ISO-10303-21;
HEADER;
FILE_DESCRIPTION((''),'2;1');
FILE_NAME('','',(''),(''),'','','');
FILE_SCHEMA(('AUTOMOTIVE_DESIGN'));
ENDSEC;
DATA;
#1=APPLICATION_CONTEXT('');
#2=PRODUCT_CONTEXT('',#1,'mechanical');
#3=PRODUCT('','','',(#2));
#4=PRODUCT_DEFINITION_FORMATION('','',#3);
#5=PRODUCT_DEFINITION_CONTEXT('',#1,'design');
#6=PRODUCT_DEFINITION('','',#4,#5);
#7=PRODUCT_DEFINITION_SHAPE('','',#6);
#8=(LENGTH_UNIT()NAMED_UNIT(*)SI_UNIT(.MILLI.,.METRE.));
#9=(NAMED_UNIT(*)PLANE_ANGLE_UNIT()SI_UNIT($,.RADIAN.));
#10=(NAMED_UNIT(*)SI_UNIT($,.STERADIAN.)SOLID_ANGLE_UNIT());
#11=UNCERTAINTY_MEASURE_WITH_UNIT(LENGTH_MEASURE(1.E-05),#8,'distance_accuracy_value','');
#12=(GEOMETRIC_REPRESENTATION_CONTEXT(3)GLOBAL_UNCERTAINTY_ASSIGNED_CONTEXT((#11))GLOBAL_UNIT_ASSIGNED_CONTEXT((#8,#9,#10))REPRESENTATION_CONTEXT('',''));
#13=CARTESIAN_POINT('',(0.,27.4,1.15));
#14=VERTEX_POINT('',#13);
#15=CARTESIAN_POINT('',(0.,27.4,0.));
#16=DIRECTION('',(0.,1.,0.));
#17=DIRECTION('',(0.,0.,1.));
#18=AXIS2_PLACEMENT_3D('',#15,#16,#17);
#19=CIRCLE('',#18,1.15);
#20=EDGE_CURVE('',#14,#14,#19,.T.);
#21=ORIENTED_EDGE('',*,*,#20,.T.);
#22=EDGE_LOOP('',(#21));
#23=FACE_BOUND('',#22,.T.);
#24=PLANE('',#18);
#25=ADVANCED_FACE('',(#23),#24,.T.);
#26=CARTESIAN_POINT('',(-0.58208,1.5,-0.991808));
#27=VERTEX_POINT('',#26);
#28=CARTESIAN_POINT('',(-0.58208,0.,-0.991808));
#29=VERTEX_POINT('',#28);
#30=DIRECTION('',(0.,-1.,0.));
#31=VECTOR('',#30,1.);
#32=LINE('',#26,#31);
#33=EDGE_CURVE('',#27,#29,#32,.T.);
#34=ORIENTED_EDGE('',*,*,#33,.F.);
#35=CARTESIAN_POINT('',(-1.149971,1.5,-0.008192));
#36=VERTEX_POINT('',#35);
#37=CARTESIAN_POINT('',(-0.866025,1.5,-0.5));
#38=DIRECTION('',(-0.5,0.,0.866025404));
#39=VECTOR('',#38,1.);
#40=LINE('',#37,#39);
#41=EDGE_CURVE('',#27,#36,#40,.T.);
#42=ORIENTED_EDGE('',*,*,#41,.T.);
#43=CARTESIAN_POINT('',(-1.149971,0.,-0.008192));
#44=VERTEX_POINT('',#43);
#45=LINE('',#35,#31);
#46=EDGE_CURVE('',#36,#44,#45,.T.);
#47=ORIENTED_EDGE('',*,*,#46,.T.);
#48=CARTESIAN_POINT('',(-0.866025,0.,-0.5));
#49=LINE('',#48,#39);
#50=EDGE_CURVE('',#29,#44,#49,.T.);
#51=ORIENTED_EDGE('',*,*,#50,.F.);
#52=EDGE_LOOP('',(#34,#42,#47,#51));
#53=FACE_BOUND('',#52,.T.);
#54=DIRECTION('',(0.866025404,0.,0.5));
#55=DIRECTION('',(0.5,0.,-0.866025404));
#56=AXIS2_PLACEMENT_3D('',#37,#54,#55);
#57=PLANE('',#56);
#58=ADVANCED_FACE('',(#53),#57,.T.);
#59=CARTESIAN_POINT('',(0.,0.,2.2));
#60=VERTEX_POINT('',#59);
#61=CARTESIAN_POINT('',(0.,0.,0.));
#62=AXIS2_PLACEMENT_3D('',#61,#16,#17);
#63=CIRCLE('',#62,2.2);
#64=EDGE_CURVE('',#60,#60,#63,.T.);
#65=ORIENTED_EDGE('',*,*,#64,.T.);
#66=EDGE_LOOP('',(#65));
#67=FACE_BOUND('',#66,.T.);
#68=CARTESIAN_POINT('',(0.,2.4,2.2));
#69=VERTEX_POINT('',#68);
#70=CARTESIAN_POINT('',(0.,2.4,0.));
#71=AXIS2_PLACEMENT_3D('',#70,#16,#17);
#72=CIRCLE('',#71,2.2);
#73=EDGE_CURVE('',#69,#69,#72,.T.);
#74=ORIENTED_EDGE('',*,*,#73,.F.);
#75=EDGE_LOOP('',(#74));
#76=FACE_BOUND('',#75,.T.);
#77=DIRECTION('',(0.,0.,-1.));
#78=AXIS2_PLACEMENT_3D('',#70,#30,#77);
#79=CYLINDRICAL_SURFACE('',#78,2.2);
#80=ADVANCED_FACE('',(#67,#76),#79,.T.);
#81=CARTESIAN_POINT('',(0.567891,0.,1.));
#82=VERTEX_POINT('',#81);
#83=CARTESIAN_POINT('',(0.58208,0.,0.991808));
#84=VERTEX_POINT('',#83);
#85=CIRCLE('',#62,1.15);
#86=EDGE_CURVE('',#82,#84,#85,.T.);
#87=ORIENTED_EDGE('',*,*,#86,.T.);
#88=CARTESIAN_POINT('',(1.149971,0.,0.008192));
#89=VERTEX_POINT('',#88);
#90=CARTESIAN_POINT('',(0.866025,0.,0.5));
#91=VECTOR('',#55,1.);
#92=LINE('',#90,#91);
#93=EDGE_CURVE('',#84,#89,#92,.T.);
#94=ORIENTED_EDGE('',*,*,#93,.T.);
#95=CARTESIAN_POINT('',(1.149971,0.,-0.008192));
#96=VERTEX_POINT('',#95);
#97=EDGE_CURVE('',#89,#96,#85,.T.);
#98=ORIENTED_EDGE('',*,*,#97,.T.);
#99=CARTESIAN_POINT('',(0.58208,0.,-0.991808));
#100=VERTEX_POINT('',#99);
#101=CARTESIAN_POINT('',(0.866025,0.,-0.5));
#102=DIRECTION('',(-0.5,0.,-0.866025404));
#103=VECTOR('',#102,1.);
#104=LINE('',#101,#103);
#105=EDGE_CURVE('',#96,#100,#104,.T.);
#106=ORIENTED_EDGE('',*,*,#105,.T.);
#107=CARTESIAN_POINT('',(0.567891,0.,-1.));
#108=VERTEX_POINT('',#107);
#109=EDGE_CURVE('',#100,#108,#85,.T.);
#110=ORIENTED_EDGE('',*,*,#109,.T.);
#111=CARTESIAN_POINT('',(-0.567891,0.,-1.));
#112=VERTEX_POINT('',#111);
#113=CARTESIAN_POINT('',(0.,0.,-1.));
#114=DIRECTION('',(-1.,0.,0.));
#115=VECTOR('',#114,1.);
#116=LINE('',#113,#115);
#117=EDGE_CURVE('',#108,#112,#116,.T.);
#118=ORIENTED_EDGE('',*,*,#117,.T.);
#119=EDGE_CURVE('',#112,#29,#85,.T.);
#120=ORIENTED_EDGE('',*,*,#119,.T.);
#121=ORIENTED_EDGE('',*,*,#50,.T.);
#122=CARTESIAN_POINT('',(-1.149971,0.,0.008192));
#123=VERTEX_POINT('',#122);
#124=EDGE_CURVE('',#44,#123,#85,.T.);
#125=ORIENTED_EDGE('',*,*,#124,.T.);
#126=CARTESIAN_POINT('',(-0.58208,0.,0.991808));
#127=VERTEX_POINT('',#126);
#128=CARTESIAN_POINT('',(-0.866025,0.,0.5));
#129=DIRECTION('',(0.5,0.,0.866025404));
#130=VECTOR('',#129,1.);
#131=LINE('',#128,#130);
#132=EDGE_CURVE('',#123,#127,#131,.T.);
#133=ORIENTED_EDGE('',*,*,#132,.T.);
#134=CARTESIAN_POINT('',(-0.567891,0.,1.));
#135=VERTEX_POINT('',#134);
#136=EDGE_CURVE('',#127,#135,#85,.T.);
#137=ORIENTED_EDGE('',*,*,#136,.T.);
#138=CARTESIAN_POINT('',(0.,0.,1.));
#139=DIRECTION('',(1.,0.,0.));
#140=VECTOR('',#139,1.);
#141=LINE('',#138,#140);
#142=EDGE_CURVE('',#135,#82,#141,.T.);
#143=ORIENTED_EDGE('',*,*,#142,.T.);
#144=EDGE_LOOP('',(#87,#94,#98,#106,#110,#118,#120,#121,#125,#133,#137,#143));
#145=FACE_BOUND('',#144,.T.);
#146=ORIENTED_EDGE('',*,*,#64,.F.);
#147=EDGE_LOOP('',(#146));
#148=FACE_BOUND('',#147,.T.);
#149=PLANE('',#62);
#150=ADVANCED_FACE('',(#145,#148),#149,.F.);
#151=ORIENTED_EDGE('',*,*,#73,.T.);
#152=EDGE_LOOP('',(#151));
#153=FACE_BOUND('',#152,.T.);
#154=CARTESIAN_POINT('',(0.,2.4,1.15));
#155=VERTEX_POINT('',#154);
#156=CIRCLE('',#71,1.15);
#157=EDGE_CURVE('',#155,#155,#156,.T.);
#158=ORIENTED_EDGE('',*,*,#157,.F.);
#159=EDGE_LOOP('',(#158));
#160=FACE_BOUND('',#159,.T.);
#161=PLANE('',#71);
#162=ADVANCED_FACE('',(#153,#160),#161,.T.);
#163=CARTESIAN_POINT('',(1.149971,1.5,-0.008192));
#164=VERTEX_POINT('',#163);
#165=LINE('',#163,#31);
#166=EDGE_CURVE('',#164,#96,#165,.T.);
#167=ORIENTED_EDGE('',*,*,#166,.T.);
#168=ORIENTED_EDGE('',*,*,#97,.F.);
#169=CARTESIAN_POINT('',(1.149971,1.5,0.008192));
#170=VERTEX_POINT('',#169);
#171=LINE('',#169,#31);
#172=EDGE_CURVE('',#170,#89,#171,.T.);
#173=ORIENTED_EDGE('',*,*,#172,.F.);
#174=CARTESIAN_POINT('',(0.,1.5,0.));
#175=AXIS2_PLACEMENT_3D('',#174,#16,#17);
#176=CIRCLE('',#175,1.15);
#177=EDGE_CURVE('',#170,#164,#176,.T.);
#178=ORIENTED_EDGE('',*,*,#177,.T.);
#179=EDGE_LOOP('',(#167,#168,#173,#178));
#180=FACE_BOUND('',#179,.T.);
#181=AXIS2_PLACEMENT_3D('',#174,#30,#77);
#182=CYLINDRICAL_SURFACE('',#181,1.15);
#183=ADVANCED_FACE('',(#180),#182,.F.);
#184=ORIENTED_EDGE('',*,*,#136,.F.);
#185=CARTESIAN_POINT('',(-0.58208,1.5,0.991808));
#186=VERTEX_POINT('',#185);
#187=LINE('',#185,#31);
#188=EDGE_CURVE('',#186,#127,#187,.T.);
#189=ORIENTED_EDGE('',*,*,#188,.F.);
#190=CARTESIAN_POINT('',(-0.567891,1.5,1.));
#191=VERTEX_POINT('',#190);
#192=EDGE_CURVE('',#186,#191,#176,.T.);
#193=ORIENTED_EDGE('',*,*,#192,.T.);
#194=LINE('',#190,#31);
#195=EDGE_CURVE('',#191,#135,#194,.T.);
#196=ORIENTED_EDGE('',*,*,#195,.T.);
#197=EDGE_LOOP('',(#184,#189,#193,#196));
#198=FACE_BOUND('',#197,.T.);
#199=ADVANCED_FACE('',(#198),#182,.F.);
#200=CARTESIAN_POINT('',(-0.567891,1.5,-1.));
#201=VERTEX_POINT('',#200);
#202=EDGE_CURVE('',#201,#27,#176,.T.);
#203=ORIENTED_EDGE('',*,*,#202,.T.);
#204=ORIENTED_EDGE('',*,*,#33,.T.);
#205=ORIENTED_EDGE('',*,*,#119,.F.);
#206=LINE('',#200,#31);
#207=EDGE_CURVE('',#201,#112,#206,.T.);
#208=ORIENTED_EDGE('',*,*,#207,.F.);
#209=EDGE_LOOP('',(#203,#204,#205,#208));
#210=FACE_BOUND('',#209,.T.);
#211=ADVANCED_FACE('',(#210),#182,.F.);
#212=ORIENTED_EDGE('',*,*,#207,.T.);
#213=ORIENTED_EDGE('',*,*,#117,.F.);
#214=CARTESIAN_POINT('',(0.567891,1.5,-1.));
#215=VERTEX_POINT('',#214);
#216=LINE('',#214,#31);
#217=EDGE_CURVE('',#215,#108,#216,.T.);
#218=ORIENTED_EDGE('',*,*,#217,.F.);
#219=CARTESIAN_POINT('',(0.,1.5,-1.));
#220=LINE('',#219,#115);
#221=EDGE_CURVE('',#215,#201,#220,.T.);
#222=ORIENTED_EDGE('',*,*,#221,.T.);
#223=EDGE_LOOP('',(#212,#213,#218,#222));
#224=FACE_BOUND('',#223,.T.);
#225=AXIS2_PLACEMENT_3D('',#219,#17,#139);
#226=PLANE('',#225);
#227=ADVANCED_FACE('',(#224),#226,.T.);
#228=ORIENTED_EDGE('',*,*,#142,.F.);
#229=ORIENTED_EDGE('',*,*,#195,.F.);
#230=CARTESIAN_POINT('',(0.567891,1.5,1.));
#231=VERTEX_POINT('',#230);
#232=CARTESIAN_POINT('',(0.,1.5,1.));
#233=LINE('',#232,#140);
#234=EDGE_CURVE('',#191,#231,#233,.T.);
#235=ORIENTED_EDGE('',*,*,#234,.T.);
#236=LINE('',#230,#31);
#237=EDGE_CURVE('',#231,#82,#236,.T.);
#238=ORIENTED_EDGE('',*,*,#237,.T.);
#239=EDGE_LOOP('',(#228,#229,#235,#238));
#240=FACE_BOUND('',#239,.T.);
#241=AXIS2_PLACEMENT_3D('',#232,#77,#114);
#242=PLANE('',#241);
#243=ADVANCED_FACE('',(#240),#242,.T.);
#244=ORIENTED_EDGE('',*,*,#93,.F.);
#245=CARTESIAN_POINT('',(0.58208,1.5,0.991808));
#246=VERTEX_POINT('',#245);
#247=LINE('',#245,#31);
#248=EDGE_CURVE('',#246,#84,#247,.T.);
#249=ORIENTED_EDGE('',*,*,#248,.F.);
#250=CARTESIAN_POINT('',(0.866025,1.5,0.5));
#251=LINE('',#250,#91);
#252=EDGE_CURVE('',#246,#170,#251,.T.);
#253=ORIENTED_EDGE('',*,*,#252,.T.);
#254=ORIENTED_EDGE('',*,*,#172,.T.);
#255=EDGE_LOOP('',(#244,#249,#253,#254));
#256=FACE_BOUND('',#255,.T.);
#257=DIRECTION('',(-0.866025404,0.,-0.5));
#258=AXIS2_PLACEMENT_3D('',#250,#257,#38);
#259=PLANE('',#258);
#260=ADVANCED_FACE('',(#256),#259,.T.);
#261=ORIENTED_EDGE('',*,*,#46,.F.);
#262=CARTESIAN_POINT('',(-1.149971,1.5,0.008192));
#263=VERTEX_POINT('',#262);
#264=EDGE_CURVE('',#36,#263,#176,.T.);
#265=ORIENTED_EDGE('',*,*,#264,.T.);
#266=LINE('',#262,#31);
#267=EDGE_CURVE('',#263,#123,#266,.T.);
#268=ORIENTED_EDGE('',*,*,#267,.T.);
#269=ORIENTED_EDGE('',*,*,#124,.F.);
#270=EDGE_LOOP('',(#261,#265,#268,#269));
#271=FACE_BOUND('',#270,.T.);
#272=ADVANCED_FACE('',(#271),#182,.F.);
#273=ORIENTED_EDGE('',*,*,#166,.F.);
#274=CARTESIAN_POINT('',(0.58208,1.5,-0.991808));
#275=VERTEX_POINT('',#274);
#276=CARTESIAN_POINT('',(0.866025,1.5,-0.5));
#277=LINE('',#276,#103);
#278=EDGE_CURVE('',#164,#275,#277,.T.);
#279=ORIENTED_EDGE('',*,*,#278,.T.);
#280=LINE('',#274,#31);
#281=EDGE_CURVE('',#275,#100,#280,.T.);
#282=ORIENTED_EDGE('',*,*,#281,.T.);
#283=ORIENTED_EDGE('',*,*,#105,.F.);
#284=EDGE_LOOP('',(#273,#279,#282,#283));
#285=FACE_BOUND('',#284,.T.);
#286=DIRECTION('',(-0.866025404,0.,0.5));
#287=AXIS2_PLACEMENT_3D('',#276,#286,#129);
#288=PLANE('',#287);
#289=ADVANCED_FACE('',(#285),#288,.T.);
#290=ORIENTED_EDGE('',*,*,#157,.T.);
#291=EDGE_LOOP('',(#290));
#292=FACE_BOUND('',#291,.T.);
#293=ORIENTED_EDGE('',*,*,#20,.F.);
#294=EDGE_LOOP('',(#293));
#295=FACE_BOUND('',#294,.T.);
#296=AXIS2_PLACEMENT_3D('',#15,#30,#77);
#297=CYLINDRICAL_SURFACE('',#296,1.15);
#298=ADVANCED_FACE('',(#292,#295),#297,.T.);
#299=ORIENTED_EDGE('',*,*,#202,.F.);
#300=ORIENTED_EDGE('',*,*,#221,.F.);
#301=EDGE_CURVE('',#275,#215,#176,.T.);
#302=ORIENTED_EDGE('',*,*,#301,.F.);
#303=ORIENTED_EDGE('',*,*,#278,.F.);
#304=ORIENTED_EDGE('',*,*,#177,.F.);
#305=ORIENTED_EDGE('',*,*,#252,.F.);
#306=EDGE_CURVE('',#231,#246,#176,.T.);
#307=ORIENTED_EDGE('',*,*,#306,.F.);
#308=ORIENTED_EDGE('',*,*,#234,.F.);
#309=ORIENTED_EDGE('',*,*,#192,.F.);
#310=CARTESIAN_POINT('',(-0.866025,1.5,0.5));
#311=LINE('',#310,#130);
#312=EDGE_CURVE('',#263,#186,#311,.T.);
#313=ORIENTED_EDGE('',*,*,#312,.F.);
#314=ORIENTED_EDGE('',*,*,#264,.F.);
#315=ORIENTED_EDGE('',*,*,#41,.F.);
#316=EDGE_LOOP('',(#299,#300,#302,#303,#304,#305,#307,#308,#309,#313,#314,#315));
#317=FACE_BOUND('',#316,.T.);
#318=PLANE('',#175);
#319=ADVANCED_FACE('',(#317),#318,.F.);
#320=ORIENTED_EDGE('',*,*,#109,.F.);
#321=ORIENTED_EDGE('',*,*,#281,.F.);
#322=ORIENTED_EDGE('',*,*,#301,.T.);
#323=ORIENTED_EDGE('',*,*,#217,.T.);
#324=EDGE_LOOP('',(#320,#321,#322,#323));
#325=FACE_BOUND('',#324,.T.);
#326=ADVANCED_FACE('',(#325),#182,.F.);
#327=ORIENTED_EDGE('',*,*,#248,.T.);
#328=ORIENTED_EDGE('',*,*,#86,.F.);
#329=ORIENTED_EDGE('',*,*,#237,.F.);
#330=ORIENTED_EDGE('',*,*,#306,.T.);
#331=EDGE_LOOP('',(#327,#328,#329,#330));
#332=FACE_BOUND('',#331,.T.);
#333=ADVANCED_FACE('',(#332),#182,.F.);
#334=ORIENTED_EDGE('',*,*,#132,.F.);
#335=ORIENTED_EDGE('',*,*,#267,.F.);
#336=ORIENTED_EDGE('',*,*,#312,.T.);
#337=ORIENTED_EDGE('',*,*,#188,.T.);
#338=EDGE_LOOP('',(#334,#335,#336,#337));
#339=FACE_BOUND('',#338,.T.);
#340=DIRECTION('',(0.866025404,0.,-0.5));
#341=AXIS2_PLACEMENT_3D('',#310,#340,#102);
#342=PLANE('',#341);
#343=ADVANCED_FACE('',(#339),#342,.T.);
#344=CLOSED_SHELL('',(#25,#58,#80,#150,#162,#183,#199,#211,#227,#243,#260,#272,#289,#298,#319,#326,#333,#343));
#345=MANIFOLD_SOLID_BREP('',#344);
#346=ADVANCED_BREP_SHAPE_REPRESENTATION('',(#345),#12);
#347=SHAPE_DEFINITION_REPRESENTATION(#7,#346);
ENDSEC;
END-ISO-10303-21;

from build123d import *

# Parameters (mm, degrees)
SKETCH_1_R          = 2.2
EXTRUDE_1_DEPTH     = 2.4
EXTRUDE_START       = 2.4
SKETCH_1_4_R        = 1.15
EXTRUDE_2_DEPTH     = 25
CUT_EXTRUDE_1_DEPTH = 1.5


with BuildPart() as part:
    # 草图1 → 凸台-拉伸1 (new body)
    with BuildSketch(Plane(origin=(0, 0, 0), x_dir=(1, 0, 0), z_dir=(0, 1, 0))):
        with Locations(Location((0, 0, 0), (0, 0, 270))):
            Circle(SKETCH_1_R)
    extrude(amount=EXTRUDE_1_DEPTH)

    # 草图1<4> → 凸台-拉伸2 (add)
    with BuildSketch(Plane(origin=(0, 0, 0), x_dir=(1, 0, 0), z_dir=(0, 1, 0)).offset(EXTRUDE_START)):
        with Locations(Location((0, 0, 0), (0, 0, 270))):
            Circle(SKETCH_1_4_R)
    extrude(amount=EXTRUDE_2_DEPTH)

    # 草图1<3> → 切除-拉伸1 (cut)
    with BuildSketch(Plane(origin=(0, 0, 0), x_dir=(1, 0, 0), z_dir=(0, 1, 0))):
        with BuildLine():
            ThreePointArc((1.15, 0), (1.149992705, 0.004096081), (1.149970821, 0.008192111))
            Line((1.149970821, 0.008192111), (0.582079986, 0.991807889))
            ThreePointArc((0.582079986, 0.991807889), (0.575, 0.995929214), (0.567890835, 1))
            Line((0.567890835, 1), (-0.567890835, 1))
            ThreePointArc((-0.567890835, 1), (-0.575, 0.995929214), (-0.582079986, 0.991807889))
            Line((-0.582079986, 0.991807889), (-1.149970821, 0.008192111))
            ThreePointArc((-1.149970821, 0.008192111), (-1.15, 0), (-1.149970821, -0.008192111))
            Line((-1.149970821, -0.008192111), (-0.582079986, -0.991807889))
            ThreePointArc((-0.582079986, -0.991807889), (-0.575, -0.995929214), (-0.567890835, -1))
            Line((-0.567890835, -1), (0.567890835, -1))
            ThreePointArc((0.567890835, -1), (0.575, -0.995929214), (0.582079986, -0.991807889))
            Line((0.582079986, -0.991807889), (1.149970821, -0.008192111))
            ThreePointArc((1.149970821, -0.008192111), (1.149992705, -0.004096081), (1.15, 0))
        make_face()
    extrude(amount=CUT_EXTRUDE_1_DEPTH, mode=Mode.SUBTRACT)


solid = part.part
